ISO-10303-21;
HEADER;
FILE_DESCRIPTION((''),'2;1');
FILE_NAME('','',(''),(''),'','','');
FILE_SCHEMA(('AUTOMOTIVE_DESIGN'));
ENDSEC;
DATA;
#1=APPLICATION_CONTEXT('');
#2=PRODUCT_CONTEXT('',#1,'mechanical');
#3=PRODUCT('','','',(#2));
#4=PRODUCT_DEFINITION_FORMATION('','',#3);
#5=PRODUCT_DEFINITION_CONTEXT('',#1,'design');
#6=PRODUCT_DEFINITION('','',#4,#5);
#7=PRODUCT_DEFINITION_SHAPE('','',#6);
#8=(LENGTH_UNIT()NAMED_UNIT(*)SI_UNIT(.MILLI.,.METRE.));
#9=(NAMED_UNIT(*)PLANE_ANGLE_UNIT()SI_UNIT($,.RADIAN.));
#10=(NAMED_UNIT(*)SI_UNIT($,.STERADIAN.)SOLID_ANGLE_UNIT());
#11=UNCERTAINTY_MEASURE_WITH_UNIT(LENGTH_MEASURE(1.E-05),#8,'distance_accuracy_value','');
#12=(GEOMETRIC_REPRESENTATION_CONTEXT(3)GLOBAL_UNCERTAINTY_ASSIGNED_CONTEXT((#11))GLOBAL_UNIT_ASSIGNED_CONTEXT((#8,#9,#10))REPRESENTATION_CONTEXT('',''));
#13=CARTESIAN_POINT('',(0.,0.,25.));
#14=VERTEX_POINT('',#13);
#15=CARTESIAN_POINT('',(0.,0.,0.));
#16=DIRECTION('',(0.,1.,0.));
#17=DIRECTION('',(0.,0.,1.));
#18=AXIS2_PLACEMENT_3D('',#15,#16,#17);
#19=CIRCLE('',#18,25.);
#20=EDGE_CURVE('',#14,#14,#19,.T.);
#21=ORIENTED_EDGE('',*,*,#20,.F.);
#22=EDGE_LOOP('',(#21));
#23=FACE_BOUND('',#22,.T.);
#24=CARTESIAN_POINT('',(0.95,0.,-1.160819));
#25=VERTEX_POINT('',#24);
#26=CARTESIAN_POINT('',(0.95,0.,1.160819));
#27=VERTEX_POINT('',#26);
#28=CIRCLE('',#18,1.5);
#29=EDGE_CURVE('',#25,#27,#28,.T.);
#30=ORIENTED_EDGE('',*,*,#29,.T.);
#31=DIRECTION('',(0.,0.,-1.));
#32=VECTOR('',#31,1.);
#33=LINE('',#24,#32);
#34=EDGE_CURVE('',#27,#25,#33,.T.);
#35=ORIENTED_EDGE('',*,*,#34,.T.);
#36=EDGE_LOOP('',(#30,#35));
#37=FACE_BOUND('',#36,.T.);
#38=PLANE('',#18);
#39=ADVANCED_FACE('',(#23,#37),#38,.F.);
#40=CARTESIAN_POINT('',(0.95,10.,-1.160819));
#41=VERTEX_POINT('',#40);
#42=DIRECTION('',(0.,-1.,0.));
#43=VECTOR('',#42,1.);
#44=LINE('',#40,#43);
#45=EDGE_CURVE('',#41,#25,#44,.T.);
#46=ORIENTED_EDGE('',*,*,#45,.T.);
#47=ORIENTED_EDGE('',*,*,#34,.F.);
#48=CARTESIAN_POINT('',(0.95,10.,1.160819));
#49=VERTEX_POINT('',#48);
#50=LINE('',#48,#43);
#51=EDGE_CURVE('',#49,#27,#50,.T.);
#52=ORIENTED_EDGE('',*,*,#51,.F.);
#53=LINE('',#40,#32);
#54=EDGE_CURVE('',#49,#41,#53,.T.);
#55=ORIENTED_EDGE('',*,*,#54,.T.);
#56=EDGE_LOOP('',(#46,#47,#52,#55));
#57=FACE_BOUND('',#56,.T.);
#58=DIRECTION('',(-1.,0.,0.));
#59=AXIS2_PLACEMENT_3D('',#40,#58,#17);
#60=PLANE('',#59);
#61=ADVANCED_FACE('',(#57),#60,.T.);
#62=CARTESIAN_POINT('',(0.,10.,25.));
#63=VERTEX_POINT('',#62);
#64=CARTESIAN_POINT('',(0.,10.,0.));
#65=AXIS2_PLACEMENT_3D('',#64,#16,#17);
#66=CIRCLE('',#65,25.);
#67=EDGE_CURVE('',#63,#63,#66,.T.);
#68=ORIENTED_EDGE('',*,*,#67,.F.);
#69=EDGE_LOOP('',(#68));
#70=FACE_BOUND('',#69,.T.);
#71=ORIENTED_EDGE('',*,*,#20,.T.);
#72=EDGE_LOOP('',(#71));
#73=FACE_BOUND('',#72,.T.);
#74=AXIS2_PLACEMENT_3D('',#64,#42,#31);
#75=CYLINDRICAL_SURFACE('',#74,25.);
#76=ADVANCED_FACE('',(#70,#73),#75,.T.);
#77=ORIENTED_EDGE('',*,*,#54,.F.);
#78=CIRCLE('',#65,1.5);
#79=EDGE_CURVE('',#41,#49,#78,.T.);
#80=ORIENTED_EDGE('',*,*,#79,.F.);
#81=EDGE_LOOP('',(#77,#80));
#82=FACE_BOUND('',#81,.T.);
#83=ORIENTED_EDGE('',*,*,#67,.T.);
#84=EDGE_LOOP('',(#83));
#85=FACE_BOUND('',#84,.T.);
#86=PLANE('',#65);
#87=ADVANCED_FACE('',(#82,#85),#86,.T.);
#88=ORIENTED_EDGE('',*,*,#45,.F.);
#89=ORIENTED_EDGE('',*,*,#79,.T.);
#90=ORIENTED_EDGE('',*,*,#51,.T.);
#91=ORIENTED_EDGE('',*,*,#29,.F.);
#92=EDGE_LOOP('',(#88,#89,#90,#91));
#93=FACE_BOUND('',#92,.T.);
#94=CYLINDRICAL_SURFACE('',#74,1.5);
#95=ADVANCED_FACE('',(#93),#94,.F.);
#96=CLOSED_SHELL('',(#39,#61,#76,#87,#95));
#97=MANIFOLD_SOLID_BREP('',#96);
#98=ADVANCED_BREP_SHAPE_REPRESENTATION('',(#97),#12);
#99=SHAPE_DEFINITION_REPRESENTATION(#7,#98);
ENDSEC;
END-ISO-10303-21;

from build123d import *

# Parameters (mm, degrees)
SKETCH2_R           = 25
BOSS_EXTRUDE1_DEPTH = 10


with BuildPart() as part:
    # Sketch2 → Boss-Extrude1 (new body)
    with BuildSketch(Plane(origin=(0, 0, 0), x_dir=(1, 0, 0), z_dir=(0, 1, 0))):
        with Locations(Location((0, 0, 0), (0, 0, 270))):
            Circle(SKETCH2_R)
        with BuildLine():
            Line((0.95, 1.160818677), (0.95, -1.160818677))
            ThreePointArc((0.95, -1.160818677), (-1.5, 0), (0.95, 1.160818677))
        make_face(mode=Mode.SUBTRACT)
    extrude(amount=BOSS_EXTRUDE1_DEPTH)


solid = part.part
